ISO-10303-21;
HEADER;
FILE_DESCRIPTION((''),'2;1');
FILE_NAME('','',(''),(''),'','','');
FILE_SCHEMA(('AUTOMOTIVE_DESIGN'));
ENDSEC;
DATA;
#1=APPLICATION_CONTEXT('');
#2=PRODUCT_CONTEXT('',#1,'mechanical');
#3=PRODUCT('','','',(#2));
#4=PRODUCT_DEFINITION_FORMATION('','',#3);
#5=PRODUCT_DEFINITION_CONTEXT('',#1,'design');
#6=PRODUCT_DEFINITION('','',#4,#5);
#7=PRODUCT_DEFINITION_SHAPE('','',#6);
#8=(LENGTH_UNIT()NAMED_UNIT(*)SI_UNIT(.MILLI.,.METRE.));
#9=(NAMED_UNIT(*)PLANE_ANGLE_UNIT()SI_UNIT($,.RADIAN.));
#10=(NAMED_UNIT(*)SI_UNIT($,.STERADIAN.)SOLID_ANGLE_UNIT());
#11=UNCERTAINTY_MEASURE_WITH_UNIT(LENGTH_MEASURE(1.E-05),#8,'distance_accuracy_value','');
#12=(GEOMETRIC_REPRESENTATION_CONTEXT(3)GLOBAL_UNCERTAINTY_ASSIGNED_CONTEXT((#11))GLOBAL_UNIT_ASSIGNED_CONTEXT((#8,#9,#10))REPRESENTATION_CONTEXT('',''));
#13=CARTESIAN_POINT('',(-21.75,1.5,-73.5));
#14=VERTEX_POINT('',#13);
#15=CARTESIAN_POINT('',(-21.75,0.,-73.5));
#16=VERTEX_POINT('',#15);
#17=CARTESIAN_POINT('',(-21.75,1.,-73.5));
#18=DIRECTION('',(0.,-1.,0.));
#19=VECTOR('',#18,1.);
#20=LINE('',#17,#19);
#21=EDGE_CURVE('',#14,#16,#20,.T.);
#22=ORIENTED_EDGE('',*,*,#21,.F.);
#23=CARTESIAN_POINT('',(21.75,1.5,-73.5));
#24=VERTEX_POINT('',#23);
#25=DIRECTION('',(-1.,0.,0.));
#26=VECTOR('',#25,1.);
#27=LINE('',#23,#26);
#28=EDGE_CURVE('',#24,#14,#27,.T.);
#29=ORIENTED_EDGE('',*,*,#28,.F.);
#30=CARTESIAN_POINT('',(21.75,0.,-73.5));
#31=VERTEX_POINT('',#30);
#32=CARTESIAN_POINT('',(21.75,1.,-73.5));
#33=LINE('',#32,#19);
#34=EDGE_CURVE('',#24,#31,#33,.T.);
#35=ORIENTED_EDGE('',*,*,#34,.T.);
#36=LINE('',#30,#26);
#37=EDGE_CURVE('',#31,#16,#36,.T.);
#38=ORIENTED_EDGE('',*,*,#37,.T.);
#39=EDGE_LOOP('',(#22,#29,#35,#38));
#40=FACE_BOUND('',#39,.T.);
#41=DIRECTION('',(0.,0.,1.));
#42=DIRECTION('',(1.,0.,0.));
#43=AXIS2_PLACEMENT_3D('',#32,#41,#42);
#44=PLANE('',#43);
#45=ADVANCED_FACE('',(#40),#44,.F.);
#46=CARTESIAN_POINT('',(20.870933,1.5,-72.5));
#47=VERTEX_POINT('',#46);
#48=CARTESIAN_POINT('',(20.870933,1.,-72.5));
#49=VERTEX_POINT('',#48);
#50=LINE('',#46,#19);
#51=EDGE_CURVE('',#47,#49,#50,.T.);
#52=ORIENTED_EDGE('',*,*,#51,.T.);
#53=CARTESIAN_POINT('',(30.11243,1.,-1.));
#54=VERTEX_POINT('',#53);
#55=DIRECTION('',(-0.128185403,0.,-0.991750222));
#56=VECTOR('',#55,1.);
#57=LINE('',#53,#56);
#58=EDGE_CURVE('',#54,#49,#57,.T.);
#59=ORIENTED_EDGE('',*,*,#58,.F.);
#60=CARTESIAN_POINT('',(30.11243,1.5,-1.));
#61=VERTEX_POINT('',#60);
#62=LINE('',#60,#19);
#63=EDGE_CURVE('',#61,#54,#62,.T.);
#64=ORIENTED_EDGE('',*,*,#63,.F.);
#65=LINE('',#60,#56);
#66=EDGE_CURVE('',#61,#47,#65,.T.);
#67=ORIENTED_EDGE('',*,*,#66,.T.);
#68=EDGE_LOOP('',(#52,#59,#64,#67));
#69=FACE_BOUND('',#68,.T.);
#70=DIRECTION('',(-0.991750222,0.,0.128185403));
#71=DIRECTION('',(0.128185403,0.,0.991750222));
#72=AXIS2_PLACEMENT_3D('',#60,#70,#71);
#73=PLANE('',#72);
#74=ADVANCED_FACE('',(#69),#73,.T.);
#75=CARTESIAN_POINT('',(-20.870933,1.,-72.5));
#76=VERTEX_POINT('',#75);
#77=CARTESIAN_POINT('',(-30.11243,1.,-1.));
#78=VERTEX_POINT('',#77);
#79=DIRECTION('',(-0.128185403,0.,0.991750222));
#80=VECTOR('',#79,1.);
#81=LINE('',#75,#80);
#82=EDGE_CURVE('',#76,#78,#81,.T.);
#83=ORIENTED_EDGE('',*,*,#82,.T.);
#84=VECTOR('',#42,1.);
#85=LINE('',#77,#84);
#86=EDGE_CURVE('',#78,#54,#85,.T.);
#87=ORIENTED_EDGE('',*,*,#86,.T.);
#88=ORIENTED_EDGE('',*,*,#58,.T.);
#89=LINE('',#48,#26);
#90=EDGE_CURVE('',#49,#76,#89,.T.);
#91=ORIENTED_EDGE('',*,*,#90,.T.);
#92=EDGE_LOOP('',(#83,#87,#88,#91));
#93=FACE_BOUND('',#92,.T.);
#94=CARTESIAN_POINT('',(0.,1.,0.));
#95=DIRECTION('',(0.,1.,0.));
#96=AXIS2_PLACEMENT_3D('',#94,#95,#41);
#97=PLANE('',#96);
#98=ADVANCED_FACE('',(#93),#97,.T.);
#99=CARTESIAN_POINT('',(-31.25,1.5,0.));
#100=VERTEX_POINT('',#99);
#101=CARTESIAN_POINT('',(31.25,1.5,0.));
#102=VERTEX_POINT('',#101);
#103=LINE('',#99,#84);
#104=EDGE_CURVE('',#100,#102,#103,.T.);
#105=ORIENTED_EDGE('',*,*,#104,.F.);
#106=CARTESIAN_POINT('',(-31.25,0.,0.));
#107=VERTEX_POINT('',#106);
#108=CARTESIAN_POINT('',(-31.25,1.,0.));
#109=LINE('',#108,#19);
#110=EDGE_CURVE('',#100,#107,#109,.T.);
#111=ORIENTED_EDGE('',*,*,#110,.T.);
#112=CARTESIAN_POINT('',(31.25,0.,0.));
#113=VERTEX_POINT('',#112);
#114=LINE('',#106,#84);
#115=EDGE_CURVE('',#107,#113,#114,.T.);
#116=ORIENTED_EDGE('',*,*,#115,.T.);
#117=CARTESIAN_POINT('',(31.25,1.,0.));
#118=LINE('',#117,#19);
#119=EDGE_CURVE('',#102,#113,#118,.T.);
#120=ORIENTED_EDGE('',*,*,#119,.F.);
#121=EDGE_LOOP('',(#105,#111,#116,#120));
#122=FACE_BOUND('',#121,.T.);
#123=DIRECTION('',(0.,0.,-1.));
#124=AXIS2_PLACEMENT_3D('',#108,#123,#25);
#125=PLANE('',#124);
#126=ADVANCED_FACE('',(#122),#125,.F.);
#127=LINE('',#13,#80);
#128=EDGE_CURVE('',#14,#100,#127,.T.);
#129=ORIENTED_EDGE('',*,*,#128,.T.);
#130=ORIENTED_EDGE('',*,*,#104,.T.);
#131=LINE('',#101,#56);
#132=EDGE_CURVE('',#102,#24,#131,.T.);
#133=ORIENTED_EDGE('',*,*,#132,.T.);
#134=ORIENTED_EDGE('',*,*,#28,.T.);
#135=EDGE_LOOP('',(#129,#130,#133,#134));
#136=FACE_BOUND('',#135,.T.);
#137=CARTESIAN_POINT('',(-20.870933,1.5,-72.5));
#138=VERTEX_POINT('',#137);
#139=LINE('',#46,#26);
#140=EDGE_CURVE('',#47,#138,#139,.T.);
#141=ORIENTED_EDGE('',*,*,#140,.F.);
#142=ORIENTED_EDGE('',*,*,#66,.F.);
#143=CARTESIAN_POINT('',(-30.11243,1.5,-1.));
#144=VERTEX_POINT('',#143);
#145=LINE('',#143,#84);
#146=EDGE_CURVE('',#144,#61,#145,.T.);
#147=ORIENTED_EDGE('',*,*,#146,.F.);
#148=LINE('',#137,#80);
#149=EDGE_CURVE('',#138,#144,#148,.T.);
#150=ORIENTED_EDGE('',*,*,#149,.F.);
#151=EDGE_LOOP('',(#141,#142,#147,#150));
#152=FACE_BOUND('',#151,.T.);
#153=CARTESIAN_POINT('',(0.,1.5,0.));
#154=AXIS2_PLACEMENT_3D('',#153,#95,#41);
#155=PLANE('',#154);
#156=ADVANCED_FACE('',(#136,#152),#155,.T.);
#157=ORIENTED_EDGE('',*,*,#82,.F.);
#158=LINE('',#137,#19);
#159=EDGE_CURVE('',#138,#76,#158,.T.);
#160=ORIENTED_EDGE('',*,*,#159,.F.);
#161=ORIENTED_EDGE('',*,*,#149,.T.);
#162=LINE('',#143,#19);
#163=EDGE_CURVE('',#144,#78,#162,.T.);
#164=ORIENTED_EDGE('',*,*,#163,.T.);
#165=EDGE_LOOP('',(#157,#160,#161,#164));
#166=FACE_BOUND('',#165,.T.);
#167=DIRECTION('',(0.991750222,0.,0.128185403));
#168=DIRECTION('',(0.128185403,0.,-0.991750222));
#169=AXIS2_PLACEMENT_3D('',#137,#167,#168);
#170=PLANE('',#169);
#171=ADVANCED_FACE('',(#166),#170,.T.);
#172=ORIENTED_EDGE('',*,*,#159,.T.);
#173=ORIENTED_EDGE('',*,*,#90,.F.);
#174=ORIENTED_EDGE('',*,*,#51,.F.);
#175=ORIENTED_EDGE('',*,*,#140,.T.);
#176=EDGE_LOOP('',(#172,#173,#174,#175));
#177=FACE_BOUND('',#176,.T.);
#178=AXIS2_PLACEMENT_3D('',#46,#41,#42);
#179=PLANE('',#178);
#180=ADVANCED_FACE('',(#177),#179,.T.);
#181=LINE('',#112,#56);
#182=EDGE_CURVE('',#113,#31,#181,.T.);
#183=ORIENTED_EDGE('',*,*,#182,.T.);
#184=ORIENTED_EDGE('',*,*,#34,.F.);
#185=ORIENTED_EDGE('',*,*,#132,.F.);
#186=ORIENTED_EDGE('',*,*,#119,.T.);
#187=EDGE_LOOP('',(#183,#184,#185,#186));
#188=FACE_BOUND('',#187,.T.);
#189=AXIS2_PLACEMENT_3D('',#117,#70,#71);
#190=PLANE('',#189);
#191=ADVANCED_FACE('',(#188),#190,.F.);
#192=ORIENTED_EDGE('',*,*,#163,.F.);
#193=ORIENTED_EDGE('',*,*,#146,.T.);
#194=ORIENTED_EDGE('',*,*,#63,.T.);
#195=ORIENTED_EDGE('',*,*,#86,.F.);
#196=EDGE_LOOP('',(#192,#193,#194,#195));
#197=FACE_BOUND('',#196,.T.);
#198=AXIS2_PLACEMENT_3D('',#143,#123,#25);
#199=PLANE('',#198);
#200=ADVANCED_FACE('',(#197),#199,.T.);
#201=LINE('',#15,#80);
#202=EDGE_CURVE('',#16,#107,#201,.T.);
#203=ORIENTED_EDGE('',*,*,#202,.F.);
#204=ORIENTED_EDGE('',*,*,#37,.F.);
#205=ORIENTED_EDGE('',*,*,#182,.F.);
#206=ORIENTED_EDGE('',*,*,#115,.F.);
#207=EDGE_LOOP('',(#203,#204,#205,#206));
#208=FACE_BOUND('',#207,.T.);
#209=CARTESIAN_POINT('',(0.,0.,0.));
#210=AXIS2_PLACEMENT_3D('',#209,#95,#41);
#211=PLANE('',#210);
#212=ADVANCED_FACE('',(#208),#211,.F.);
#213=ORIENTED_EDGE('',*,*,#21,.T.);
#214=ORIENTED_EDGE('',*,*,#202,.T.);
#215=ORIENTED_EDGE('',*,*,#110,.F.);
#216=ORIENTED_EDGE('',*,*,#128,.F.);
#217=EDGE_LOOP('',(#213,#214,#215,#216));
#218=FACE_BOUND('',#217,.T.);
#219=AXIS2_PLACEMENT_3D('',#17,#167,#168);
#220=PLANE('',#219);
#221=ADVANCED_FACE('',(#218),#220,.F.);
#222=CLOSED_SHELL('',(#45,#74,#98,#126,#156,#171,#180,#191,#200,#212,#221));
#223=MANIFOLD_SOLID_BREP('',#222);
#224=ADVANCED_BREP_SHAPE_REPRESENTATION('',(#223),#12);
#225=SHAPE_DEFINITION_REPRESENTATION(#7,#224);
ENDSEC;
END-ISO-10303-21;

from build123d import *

# Parameters (mm, degrees)
EXTRUDE_1_DEPTH = 1
EXTRUDE_2_DEPTH = 0.5


with BuildPart() as part:
    # 草图1 → 凸台-拉伸1 (new body)
    with BuildSketch(Plane(origin=(0, 0, 0), x_dir=(1, 0, 0), z_dir=(0, 1, 0))):
        Polygon((-31.25, 0), (31.25, 0), (21.75, 73.5), (-21.75, 73.5), align=None)
    extrude(amount=EXTRUDE_1_DEPTH)

    # 草图2 → 凸台-拉伸2 (add)
    with BuildSketch(Plane(origin=(0, 1, 0), x_dir=(1, 0, 0), z_dir=(0, 1, 0))):
        Polygon((-21.75, 73.5), (-31.25, 0), (31.25, 0), (21.75, 73.5), align=None)
        Polygon((-20.870933298, 72.5), (-30.112429896, 1), (30.112429896, 1), (20.870933298, 72.5), align=None, mode=Mode.SUBTRACT)
    extrude(amount=EXTRUDE_2_DEPTH)


solid = part.part
